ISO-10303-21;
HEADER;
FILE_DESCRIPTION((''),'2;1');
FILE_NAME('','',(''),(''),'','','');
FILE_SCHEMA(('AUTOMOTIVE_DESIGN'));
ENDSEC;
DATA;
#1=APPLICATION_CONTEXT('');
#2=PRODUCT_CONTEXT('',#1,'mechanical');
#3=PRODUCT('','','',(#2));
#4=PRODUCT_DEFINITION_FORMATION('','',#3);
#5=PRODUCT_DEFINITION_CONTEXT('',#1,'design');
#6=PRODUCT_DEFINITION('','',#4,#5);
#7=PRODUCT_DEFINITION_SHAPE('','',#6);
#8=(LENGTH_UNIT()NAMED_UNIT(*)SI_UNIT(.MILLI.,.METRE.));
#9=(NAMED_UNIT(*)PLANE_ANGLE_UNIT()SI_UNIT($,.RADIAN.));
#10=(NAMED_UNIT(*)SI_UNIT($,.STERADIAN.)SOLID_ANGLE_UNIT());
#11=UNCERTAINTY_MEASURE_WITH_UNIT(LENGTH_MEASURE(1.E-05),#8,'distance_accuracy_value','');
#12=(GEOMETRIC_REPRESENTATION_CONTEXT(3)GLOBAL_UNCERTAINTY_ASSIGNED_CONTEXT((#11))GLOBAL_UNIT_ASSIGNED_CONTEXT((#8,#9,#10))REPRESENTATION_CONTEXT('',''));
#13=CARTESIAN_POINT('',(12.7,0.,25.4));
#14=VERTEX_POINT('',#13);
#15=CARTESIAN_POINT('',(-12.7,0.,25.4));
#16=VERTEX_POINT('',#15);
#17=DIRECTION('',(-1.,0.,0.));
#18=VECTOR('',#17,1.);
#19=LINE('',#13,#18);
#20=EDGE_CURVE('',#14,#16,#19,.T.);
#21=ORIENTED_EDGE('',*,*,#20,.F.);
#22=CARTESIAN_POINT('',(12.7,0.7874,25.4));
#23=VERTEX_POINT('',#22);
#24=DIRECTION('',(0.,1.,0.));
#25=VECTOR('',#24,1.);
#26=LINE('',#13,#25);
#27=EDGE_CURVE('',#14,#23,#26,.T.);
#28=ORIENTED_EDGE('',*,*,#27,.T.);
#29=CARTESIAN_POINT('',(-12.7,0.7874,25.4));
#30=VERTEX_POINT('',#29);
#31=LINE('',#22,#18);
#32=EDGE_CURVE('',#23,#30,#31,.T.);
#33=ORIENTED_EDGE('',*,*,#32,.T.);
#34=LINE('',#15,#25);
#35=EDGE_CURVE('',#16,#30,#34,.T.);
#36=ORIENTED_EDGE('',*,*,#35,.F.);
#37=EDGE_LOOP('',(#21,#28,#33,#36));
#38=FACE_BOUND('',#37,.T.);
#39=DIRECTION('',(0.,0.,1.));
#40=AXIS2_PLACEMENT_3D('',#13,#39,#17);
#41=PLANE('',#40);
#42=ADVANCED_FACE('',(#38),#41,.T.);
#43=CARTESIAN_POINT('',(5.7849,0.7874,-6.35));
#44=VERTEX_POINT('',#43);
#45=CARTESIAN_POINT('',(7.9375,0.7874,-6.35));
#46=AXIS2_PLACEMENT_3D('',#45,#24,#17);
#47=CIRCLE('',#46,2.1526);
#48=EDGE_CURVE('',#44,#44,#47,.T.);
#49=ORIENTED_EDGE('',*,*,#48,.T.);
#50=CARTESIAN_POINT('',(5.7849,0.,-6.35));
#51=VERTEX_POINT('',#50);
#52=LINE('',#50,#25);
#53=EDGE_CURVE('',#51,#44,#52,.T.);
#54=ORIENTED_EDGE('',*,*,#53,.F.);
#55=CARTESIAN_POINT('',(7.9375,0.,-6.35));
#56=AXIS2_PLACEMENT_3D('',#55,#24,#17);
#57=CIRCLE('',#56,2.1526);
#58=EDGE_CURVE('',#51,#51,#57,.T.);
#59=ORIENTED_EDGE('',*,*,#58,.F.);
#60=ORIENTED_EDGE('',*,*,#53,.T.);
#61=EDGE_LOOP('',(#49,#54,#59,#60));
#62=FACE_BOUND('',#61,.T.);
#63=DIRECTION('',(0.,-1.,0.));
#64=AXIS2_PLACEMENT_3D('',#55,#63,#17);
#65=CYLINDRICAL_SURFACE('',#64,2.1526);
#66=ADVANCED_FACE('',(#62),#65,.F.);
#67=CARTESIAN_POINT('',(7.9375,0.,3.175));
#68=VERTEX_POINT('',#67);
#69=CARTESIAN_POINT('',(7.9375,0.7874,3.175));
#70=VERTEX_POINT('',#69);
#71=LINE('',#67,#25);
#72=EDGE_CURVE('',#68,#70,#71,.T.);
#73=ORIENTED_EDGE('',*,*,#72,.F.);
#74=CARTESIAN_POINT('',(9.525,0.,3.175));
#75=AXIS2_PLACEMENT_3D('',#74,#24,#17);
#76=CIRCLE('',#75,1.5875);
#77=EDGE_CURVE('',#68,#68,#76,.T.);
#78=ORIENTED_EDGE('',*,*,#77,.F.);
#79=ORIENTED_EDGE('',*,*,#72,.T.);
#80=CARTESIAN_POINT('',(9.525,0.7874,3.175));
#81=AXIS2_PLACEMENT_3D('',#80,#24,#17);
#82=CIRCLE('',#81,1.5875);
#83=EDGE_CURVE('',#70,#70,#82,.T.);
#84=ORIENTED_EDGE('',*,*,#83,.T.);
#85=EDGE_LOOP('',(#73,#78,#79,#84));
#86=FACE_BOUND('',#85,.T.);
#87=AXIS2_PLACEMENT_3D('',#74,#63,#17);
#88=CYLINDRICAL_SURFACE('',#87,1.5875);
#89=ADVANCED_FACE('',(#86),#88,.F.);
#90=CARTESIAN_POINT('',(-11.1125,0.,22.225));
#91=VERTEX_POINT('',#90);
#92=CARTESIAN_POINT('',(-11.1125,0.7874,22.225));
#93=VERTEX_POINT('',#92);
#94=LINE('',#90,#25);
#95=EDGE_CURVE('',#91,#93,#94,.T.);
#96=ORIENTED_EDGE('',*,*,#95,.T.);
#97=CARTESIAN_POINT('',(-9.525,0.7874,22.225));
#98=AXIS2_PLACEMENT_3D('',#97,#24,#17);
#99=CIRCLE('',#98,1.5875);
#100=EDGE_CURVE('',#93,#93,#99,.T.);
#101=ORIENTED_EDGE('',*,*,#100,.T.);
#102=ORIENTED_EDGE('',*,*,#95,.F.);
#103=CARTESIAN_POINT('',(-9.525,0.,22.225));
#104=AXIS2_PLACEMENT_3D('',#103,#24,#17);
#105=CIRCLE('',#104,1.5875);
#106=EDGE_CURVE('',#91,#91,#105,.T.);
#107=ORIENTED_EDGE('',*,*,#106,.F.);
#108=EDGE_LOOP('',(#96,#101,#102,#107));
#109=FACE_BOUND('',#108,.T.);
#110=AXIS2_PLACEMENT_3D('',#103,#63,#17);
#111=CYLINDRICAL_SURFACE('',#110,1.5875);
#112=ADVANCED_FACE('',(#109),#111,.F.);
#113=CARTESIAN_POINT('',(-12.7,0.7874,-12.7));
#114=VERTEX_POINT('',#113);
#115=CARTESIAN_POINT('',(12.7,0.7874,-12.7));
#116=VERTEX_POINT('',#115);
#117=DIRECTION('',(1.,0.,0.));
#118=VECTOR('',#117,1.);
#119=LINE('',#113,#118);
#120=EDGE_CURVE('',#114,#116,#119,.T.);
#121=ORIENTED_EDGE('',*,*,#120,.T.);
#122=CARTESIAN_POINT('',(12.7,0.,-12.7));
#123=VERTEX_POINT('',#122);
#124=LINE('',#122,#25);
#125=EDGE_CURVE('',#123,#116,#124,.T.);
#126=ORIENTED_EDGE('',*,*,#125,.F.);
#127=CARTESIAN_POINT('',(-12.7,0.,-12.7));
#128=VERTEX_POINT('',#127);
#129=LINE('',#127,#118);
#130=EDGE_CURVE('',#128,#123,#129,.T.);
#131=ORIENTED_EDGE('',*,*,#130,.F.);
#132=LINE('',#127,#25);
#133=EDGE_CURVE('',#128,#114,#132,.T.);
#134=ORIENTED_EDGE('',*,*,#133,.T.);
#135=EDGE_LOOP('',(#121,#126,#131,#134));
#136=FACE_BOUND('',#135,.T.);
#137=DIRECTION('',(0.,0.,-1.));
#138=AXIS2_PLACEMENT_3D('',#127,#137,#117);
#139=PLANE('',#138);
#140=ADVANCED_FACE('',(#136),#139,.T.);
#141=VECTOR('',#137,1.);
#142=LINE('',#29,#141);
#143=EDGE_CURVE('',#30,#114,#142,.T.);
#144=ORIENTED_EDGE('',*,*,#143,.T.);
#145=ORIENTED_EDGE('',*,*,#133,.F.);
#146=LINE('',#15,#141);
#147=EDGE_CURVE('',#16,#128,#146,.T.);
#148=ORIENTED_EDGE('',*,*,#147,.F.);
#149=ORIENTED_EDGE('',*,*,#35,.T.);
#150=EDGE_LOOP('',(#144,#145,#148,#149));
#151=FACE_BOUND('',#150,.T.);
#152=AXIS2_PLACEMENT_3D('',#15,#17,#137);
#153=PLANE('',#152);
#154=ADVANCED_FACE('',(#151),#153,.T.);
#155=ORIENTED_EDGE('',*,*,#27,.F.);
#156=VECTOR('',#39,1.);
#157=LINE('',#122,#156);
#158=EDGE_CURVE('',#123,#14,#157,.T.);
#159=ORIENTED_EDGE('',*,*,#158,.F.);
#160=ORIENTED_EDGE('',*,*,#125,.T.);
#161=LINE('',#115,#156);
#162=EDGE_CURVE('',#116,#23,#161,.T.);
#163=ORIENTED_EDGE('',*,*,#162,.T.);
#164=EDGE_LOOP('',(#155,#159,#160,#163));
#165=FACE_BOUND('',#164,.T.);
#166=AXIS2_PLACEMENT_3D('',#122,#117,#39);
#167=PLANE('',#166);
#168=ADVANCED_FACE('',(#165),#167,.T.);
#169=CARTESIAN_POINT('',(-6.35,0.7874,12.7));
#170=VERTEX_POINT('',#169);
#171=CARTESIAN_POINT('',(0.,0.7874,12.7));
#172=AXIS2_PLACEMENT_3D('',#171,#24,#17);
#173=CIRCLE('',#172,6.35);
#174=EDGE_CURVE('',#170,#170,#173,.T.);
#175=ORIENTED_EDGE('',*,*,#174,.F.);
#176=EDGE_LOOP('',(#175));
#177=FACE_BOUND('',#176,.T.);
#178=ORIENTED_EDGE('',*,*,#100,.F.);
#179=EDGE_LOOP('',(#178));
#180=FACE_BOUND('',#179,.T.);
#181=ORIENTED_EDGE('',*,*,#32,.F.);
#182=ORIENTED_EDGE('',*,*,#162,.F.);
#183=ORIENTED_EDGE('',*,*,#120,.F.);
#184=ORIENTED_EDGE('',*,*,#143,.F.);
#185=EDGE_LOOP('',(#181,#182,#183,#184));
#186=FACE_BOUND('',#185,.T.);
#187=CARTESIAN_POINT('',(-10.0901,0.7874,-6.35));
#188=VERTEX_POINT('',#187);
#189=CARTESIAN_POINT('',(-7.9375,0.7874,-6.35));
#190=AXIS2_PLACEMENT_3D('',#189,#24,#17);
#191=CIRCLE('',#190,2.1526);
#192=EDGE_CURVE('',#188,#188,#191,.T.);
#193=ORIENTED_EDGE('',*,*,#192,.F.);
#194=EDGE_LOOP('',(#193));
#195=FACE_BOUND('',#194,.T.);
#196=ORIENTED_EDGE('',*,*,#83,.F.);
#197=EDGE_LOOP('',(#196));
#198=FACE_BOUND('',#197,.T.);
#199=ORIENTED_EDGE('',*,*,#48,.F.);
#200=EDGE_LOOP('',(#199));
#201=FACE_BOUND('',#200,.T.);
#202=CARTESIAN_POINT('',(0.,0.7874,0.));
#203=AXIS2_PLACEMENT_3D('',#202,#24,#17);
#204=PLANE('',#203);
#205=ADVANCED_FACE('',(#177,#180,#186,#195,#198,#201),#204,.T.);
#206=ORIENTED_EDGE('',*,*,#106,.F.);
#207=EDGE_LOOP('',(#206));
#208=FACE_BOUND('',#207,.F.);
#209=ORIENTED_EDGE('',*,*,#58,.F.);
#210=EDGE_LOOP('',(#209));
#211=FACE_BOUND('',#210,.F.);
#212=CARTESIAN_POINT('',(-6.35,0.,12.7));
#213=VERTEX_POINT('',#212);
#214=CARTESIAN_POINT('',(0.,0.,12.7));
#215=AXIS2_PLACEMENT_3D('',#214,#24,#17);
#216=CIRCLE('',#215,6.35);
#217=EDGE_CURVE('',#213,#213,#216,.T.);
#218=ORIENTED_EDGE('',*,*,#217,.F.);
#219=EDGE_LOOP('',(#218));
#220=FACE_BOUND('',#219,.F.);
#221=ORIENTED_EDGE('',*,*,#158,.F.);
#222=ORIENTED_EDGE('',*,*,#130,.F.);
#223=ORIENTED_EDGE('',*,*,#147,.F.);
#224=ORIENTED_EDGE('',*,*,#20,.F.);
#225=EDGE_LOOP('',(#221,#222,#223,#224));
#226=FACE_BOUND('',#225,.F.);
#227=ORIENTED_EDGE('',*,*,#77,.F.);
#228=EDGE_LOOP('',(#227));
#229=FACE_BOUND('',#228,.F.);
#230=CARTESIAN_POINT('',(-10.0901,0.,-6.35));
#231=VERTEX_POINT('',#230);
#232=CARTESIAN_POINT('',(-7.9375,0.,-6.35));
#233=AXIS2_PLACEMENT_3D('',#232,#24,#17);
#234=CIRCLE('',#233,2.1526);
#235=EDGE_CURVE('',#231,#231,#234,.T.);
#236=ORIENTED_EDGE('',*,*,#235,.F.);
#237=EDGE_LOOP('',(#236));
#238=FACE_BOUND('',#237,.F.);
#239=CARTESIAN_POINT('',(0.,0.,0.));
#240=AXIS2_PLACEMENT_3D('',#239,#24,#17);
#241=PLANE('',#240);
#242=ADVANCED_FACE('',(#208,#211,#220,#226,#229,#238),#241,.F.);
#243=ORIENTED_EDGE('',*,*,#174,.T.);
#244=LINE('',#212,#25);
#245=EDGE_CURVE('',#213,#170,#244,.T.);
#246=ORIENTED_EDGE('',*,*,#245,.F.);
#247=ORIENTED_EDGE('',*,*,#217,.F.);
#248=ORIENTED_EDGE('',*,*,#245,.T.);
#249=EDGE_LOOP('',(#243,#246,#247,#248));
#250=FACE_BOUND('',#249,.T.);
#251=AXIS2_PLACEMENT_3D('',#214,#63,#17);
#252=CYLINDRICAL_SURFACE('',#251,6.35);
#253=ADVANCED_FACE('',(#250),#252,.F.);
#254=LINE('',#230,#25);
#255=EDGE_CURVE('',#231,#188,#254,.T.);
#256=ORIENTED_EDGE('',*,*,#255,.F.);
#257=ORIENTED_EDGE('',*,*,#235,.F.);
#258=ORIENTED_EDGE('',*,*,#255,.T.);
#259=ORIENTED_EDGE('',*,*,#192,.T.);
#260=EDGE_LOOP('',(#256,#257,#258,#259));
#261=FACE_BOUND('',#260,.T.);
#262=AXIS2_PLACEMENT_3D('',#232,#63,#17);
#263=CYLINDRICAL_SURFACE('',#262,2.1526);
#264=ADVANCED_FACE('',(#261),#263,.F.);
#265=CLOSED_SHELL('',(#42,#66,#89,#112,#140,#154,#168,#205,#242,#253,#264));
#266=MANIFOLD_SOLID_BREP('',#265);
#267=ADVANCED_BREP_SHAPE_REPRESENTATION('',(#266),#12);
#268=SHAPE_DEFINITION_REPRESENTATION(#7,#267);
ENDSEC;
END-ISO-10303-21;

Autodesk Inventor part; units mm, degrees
ref_plane "YZ Plane" through (0, 0, 0) normal (1, 0, 0) x (0, 1, 0)
ref_plane "XZ Plane" through (0, 0, 0) normal (0, 1, 0) x (-1, 0, 0)
ref_plane "XY Plane" through (0, 0, 0) normal (0, 0, 1) x (1, 0, 0)
sketch "Sketch1" plane through (0, 0, 0) normal (0, 1, 0) x (-1, 0, 0)
  line L0 (-12.7, 25.4) -> (12.7, 25.4)
  line L1 (12.7, 25.4) -> (12.7, -12.7)
  line L2 (12.7, -12.7) -> (-12.7, -12.7)
  line L3 (-12.7, -12.7) -> (-12.7, 25.4)
  line L4 (-12.7, 0) -> (12.7, 0) construction
  circle A0 centre (0, 12.7) radius 6.35
  circle A1 centre (9.525, 22.225) radius 1.5875
  circle A2 centre (-9.525, 3.175) radius 1.5875
  circle A3 centre (-7.9375, -6.35) radius 2.1526
  circle A4 centre (7.9375, -6.35) radius 2.1526
  point P0 (0, 0)
  point P1 (0, 0)
  dimension "d0" = 12.7
  dimension "d2" = 25.4
  dimension "d3" = 25.4
  dimension "d4" = 12.7
  dimension "d5" = 3.175
  dimension "d6" = 3.175
  dimension "d7" = 4.3053
  dimension "d8" = 4.3053
  dimension "d9" = 3.175
  dimension "d10" = 3.175
  dimension "d11" = 3.175
  dimension "d12" = 3.175
  dimension "d13" = 12.7
  dimension "d14" = 12.7
  dimension "d15" = 6.35
  dimension "d16" = 6.35
  dimension "d17" = 15.875
  dimension "d18" = 4.7625
extrude "Extrusion1" add sketch "Sketch1" along normal blind 0.7874
equation "\"d15\" = 0.5 * d0"
equation "\"d16\" = d15"
equation "\"d18\" = -0.5 * d17 + 0.5 * d2"
properties part number "launcher_hinge"
